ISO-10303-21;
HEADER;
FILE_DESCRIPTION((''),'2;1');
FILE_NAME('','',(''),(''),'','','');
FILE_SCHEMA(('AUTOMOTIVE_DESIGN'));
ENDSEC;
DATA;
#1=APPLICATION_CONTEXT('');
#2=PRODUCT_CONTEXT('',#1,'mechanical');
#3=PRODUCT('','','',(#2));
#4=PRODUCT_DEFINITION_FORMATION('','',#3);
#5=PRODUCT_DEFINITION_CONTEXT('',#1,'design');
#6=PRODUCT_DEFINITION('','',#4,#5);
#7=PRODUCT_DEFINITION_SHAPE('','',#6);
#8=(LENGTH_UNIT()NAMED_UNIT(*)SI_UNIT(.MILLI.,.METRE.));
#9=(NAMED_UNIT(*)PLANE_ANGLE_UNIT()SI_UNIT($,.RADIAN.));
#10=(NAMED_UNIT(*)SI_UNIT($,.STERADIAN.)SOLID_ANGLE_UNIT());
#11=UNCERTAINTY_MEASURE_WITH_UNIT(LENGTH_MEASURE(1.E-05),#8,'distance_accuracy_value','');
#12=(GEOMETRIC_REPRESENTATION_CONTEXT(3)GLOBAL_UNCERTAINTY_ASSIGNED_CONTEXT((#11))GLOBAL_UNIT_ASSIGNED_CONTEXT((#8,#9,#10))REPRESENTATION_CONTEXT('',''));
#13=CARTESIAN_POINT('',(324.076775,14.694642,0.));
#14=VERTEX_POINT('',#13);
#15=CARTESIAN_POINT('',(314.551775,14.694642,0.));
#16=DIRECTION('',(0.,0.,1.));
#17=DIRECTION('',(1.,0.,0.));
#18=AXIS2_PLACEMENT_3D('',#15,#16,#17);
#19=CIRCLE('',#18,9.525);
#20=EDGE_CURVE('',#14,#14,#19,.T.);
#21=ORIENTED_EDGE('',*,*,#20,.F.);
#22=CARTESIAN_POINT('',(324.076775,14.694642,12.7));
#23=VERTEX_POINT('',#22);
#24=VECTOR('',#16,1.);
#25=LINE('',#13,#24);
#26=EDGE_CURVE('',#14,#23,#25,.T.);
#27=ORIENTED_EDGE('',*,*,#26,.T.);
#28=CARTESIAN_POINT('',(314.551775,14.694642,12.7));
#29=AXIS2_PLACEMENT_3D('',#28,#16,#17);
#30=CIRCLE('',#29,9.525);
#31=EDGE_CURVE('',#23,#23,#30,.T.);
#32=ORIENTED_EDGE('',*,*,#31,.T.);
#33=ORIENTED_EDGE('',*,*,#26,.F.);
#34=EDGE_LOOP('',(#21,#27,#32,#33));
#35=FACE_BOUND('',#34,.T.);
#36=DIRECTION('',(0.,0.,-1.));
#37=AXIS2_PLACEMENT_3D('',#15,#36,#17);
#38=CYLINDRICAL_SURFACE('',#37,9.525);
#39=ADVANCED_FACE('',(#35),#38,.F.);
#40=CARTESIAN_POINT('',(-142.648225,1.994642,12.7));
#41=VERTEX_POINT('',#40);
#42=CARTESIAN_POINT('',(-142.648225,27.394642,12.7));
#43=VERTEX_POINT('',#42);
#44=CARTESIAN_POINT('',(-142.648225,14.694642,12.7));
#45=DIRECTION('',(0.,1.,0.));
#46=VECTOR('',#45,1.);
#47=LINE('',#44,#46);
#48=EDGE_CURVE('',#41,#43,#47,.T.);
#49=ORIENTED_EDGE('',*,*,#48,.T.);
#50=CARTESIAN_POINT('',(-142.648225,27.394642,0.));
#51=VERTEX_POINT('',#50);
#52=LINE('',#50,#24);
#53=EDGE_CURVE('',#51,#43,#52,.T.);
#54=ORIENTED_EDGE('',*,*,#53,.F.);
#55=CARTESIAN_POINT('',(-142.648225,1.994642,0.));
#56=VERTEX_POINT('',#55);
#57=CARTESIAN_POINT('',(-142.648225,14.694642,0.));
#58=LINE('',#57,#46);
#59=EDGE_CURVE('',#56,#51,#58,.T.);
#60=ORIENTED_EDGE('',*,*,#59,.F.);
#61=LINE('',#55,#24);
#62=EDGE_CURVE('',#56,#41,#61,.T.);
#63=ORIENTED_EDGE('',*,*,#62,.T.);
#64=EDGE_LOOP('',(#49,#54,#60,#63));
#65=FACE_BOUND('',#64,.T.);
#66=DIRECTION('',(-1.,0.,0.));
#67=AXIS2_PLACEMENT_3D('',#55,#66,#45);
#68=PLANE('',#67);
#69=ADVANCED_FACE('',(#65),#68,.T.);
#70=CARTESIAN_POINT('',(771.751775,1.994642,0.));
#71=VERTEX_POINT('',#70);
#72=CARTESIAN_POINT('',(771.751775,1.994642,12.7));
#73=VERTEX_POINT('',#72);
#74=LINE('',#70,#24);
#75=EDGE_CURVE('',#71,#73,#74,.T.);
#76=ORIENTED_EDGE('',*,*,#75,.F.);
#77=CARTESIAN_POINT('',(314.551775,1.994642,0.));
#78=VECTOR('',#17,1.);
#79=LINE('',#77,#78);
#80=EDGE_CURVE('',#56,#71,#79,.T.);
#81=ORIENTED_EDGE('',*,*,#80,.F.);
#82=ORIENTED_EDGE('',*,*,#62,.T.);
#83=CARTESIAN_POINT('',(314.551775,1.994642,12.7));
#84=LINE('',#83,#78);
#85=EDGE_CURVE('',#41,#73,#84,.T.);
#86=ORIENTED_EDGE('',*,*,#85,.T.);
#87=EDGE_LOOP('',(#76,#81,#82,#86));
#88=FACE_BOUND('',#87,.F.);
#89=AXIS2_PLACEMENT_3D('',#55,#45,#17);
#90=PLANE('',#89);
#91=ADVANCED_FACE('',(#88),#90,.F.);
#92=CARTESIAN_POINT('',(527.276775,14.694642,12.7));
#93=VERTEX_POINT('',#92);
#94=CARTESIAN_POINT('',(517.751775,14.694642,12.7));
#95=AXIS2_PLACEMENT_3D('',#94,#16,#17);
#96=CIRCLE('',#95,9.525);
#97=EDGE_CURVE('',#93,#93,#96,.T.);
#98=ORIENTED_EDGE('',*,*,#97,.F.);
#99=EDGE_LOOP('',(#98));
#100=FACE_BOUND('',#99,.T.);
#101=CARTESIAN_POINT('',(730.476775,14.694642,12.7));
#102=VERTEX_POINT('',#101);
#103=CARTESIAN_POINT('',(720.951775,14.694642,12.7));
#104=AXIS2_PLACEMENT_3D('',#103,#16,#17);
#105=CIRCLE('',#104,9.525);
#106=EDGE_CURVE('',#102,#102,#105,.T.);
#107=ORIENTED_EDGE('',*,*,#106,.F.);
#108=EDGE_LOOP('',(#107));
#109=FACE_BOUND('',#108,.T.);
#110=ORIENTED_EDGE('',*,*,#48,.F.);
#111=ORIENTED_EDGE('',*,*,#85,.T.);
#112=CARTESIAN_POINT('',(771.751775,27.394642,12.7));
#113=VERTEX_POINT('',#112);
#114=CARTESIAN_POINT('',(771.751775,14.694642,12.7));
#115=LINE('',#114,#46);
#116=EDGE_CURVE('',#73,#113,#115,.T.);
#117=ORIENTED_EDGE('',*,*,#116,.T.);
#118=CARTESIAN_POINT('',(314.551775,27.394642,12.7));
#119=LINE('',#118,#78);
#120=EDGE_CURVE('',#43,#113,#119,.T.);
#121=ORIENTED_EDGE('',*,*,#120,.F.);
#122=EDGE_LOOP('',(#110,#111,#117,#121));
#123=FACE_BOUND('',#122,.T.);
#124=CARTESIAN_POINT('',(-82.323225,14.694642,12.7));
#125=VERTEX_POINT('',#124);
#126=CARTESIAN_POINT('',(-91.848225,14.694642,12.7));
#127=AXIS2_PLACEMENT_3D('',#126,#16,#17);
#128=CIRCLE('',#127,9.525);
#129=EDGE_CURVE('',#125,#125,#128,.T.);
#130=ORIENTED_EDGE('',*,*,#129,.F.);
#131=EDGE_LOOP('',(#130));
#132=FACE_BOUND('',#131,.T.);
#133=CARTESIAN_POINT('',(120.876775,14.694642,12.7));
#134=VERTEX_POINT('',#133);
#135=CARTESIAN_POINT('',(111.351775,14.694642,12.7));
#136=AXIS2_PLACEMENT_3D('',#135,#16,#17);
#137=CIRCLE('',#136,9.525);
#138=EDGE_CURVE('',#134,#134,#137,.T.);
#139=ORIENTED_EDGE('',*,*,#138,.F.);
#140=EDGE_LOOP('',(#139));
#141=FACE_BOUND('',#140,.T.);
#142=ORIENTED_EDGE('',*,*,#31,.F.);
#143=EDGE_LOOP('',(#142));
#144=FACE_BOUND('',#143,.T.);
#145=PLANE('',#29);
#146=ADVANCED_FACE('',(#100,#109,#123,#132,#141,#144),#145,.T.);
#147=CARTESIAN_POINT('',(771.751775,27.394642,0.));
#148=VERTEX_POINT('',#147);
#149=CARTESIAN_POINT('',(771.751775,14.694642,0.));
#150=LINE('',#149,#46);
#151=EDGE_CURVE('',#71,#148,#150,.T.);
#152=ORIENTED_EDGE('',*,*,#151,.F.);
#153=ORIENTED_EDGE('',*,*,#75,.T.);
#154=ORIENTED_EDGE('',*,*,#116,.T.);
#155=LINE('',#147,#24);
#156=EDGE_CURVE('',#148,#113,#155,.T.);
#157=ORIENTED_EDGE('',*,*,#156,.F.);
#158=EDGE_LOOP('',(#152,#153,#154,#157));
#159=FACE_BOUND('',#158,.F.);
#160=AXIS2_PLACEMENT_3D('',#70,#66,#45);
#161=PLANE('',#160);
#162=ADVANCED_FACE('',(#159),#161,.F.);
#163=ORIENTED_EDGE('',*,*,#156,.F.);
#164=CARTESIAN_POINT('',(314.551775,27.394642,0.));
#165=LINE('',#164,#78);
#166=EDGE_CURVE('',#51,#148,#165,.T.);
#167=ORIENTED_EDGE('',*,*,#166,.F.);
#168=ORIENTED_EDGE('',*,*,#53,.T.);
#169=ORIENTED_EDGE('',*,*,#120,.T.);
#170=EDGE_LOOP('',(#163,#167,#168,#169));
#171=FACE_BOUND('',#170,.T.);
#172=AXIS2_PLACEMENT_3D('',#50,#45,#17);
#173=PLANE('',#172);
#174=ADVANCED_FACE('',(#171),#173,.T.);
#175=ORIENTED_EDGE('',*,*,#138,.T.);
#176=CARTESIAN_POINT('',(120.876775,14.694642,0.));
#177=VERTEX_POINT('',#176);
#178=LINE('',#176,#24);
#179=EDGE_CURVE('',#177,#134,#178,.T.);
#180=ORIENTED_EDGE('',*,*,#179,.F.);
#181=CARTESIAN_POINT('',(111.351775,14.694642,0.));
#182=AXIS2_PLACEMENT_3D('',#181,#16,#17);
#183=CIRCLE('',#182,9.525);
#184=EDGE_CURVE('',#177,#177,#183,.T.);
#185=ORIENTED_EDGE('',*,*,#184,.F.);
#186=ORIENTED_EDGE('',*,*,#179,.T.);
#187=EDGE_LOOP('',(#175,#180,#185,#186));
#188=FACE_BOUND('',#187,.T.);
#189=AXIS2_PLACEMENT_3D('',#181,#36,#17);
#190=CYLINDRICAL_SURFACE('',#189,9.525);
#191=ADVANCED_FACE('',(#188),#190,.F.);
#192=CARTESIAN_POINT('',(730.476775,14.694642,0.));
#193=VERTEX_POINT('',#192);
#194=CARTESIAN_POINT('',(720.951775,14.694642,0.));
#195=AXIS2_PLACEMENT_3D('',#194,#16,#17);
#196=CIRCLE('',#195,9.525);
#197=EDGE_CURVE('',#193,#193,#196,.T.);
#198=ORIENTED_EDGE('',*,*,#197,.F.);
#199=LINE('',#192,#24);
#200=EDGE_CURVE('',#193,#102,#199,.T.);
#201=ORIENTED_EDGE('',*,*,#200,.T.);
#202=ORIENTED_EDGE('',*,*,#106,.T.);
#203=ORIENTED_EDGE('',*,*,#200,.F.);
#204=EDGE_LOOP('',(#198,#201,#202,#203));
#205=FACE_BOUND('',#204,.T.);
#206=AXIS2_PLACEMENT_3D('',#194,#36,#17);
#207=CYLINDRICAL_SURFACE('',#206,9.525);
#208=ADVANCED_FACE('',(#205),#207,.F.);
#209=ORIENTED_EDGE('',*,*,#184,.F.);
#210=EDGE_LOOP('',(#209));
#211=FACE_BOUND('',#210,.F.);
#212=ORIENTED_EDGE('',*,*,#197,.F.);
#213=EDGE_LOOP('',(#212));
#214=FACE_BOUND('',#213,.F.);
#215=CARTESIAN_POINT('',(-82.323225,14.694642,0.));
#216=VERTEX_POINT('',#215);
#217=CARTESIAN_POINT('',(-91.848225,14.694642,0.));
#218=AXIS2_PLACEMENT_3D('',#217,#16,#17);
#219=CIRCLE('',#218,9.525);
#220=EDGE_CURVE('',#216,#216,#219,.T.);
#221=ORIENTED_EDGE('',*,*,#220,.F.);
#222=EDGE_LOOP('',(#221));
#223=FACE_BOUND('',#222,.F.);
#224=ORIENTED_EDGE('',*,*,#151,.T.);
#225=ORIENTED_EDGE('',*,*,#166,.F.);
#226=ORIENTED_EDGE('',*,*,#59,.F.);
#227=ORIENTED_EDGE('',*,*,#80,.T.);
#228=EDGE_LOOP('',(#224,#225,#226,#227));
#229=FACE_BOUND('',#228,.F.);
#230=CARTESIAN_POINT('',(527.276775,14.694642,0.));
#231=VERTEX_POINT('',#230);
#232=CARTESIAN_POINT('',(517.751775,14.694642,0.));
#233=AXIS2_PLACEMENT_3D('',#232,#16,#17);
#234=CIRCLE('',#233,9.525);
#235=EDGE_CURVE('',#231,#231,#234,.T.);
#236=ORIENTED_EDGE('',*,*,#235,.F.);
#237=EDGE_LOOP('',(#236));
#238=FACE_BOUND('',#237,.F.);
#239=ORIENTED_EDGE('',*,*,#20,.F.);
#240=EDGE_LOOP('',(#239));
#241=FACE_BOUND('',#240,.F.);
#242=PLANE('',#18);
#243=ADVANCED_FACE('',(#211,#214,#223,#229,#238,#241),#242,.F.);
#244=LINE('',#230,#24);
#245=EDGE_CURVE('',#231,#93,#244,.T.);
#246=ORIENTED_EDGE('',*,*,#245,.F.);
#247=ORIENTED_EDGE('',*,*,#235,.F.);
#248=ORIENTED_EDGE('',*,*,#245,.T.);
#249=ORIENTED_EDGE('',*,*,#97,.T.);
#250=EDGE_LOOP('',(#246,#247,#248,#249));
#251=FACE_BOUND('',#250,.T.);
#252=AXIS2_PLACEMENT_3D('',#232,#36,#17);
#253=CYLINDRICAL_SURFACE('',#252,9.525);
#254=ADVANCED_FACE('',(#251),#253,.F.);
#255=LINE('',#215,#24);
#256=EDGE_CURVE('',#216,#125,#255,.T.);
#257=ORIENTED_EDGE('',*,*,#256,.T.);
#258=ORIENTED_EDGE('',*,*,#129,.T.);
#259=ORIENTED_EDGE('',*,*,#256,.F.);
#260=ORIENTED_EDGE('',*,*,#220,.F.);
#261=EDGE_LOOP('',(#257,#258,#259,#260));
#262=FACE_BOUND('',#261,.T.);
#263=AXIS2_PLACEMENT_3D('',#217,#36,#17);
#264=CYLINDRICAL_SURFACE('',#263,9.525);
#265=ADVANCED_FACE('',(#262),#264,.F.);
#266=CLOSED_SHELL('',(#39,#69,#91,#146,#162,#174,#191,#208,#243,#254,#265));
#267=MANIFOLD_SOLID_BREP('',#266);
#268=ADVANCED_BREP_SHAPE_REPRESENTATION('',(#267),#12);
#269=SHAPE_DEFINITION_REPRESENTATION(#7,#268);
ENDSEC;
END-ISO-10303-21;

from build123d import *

# Parameters (mm, degrees)
F0_W     = 914.4
F0_H     = 25.4
F0_R     = 9.525
F1_DEPTH = 12.7


with BuildPart() as f1:
    # F0 (on Top) → F1 (new body)
    with BuildSketch(Plane.XY):
        with Locations((314.551775, 14.694642)):
            Rectangle(F0_W, F0_H)
        with Locations((-91.848225, 14.694642)):
            Circle(F0_R, mode=Mode.SUBTRACT)
        with Locations((111.351775, 14.694642)):
            Circle(F0_R, mode=Mode.SUBTRACT)
        with Locations((314.551775, 14.694642)):
            Circle(F0_R, mode=Mode.SUBTRACT)
        with Locations((517.751775, 14.694642)):
            Circle(F0_R, mode=Mode.SUBTRACT)
        with Locations((720.951775, 14.694642)):
            Circle(F0_R, mode=Mode.SUBTRACT)
    extrude(amount=F1_DEPTH)


solid = f1.part
